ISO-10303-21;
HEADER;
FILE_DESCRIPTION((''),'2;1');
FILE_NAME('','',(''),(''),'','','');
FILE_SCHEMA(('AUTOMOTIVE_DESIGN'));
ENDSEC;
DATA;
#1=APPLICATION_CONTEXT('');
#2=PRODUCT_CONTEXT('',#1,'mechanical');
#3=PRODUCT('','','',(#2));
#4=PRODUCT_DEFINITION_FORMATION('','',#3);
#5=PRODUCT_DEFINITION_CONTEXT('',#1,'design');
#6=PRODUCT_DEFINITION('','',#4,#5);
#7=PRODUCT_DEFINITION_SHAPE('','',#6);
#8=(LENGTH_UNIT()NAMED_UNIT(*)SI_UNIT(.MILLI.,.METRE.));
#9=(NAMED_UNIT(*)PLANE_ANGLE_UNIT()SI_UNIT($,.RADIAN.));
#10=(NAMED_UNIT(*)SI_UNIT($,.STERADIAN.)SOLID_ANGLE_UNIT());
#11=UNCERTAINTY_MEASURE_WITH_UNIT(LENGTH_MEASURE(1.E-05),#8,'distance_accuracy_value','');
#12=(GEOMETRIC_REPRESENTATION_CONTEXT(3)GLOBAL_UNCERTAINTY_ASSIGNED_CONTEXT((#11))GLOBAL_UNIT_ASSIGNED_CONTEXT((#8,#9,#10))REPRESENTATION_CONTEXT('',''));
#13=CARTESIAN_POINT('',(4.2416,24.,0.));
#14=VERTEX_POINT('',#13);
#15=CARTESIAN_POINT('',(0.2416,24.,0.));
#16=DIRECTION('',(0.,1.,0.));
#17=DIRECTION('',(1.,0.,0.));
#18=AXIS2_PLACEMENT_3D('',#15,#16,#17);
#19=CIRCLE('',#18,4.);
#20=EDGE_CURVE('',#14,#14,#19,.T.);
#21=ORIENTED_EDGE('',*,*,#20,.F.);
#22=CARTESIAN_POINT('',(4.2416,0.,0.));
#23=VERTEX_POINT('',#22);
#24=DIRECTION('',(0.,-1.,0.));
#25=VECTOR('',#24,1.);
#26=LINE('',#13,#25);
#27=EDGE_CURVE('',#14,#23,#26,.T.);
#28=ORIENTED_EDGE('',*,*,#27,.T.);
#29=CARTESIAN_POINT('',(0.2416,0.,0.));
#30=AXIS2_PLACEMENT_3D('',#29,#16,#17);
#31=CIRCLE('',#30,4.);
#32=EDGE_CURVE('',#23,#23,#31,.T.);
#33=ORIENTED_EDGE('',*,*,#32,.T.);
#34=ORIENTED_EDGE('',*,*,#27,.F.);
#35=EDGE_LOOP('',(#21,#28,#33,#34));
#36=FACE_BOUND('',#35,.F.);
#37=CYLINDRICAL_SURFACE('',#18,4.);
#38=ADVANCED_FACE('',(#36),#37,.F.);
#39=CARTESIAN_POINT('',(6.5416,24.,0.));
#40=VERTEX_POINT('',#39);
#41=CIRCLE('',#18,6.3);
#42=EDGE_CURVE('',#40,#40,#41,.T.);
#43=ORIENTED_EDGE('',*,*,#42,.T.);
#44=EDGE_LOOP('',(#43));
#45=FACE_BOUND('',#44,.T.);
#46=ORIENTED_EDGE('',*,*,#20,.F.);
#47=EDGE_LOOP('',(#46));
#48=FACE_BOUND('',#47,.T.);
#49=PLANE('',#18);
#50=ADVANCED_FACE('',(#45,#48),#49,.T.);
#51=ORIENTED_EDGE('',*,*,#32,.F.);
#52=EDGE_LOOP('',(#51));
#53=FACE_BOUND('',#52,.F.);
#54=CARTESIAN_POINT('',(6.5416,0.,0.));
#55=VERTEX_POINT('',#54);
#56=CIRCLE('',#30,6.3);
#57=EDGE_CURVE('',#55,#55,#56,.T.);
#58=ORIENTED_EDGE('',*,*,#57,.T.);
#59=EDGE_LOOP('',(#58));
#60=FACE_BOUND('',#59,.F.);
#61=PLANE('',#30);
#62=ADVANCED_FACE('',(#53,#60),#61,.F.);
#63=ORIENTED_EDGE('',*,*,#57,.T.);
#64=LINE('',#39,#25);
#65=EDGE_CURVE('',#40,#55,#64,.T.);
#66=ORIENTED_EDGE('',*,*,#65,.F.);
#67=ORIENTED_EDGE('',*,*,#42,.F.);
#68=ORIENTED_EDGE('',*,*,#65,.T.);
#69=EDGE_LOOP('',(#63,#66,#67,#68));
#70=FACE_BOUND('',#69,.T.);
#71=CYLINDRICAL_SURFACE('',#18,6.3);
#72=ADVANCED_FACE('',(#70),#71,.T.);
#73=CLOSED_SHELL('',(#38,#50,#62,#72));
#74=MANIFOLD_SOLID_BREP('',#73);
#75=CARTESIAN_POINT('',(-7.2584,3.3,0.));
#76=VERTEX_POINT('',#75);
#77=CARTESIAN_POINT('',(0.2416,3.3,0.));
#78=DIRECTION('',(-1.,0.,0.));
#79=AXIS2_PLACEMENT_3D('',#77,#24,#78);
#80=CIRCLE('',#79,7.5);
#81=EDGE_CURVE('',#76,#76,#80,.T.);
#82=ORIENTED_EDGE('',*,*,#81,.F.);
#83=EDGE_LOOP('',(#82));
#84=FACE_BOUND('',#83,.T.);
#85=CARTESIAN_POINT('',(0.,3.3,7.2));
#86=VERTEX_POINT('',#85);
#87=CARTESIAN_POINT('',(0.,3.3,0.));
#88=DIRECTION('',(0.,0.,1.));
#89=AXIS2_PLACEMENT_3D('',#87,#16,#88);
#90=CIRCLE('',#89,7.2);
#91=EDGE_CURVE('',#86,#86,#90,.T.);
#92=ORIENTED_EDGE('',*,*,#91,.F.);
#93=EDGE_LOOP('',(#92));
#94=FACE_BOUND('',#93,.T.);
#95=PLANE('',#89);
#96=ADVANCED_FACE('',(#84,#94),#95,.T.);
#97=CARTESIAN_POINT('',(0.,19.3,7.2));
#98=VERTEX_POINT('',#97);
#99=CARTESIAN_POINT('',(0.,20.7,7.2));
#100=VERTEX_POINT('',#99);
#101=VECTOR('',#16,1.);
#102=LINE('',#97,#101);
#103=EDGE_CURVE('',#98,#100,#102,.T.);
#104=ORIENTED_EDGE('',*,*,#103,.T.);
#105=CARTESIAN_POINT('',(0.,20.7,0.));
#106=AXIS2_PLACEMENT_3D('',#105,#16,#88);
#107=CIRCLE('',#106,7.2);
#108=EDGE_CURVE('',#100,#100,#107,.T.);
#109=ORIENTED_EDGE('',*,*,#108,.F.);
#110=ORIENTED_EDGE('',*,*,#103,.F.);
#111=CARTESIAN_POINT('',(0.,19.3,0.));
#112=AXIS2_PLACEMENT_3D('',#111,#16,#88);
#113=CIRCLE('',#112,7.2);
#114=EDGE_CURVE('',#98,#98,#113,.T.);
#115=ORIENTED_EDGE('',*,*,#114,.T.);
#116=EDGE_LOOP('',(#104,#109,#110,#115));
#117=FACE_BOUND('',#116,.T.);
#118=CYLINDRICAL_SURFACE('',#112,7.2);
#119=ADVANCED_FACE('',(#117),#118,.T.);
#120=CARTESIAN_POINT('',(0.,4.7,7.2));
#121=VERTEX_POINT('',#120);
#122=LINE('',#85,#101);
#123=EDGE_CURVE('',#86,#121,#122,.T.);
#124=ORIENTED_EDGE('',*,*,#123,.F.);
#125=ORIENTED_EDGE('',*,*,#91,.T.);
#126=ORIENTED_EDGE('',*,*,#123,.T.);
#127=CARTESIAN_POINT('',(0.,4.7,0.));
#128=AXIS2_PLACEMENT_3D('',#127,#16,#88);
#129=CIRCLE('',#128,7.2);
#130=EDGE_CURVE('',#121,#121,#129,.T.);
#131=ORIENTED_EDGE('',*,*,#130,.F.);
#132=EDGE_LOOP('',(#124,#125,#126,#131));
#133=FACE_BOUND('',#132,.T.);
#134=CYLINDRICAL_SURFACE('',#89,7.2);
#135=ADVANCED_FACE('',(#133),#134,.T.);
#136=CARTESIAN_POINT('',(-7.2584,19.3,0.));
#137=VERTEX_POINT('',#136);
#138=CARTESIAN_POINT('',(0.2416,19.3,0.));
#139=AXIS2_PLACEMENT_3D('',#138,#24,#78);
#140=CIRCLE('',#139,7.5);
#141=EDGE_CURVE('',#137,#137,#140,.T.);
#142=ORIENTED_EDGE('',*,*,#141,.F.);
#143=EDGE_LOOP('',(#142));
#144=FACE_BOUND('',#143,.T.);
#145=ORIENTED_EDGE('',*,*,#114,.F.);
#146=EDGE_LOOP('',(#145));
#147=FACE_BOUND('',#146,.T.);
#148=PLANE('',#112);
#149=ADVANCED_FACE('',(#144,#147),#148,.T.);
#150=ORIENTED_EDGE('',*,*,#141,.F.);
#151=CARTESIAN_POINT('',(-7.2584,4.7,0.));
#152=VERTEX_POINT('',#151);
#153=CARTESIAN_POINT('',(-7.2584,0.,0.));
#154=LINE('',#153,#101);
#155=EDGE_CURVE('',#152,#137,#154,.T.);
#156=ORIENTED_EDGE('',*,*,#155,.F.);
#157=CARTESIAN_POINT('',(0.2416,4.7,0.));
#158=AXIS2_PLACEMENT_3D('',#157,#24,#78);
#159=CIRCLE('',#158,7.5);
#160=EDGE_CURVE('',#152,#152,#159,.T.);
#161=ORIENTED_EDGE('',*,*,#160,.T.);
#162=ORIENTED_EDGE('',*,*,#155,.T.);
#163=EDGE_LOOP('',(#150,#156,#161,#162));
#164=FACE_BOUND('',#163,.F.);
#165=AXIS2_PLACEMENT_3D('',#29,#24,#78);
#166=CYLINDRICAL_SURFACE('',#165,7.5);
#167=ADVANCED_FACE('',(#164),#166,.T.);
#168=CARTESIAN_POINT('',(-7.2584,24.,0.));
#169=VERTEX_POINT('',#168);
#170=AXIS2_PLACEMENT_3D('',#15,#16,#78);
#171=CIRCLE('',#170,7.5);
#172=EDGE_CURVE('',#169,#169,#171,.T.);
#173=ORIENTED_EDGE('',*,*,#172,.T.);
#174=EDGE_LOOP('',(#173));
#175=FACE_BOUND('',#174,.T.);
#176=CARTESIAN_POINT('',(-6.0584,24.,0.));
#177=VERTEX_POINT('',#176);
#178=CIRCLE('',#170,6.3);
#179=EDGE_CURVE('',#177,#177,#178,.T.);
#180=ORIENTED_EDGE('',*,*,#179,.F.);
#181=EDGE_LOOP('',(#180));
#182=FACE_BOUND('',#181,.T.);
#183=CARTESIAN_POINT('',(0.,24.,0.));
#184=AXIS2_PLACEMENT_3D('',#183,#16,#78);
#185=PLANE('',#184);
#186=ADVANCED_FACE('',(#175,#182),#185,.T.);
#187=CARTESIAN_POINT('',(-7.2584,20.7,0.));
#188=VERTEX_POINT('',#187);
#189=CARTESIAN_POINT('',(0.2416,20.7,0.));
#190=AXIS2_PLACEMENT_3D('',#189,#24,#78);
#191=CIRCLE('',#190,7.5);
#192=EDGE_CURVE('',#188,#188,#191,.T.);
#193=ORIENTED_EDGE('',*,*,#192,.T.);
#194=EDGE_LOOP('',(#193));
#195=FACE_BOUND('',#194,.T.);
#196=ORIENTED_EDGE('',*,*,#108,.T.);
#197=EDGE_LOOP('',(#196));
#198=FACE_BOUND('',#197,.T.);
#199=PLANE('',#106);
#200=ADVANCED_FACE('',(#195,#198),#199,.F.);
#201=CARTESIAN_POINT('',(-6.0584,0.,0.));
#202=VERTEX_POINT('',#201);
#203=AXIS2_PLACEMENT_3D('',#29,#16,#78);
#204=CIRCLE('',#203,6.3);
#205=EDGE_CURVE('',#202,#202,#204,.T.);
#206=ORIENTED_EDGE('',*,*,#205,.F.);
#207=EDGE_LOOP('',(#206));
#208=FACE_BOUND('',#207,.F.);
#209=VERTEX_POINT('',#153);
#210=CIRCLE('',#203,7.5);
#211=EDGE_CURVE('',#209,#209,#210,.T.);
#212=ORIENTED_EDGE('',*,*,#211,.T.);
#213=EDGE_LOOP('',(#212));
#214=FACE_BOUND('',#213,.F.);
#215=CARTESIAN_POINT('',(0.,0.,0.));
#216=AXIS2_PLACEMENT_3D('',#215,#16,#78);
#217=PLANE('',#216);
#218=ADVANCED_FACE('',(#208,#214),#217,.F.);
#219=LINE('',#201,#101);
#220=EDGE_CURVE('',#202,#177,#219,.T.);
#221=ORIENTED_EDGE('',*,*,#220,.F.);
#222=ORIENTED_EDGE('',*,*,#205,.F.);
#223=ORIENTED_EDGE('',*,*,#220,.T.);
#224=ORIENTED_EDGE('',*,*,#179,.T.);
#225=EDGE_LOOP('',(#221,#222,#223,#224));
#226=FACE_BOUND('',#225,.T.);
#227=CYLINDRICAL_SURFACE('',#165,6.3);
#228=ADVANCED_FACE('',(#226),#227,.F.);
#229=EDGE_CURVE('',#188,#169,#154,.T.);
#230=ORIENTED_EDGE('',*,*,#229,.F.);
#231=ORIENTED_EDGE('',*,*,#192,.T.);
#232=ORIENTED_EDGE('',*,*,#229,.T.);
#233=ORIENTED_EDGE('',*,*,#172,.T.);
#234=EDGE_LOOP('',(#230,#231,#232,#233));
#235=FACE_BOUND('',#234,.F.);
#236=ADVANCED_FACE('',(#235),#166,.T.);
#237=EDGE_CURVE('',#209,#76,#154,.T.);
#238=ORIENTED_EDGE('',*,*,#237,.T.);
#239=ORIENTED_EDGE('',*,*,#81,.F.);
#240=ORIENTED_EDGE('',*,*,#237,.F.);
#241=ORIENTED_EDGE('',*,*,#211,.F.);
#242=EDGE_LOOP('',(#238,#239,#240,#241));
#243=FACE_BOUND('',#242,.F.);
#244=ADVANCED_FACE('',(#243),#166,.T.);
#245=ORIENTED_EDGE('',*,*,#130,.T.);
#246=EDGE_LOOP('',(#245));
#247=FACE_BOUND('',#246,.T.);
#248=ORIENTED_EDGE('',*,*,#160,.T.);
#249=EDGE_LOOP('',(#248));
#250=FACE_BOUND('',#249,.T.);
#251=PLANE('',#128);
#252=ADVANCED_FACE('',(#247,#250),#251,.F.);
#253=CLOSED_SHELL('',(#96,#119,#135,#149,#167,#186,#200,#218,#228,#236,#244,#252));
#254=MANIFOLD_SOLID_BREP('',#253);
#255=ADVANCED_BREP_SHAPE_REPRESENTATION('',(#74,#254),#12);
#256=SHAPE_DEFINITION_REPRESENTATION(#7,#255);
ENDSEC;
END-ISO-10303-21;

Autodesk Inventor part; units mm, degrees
ref_plane "YZ Plane" through (0, 0, 0) normal (1, 0, 0) x (0, 1, 0)
ref_plane "XZ Plane" through (0, 0, 0) normal (0, 1, 0) x (-1, 0, 0)
ref_plane "XY Plane" through (0, 0, 0) normal (0, 0, 1) x (1, 0, 0)
sketch "Эскиз1" plane through (0, 0, 0) normal (0, 1, 0) x (-1, 0, 0)
  circle A0 centre (-0.2416, 0) radius 7.5
  circle A1 centre (-0.2416, 0) radius 6.3
  point P0 (0, 0)
  dimension "d0" = 15
  dimension "d2" = 12.6
extrude "Выдавливание1" add sketch "Эскиз1" along normal blind 24
sketch "Эскиз2" plane through (0.2416, 24, 0) normal (0, 1, 0) x (1, 0, 0)
  circle A0 centre (0, 0) radius 6.3 projected
  circle A1 centre (0, 0) radius 4
  circle A2 centre (0, 0) radius 6.3
  point P0 (-0.2416, 0)
  dimension "d7" = 8
  dimension "d8" = 12.6
extrude "Выдавливание2" add sketch "Эскиз2" against normal blind 24 separate body
sketch "Эскиз3" plane through (0, 0, 0) normal (1, 0, 0) x (0, 1, 0)
  line L0 (20.7, 9.5) -> (19.3, 9.5)
  line L1 (19.3, 9.5) -> (19.3, 7.2)
  line L2 (19.3, 7.2) -> (20.7, 7.2)
  line L3 (20.7, 7.2) -> (20.7, 9.5)
  line L4 (4.7, 9.5) -> (3.3, 9.5)
  line L5 (3.3, 9.5) -> (3.3, 7.2)
  line L6 (3.3, 7.2) -> (4.7, 7.2)
  line L7 (4.7, 7.2) -> (4.7, 9.5)
  line L8 (24, -7.5) -> (24, 7.5) projected
  line L9 (0, -7.5) -> (0, 7.5) projected
  line L10 (24, 7.5) -> (0, 7.5) construction
  line L11 (-4.8, 0) -> (28.8, 0) projected
  point P0 (0, 0)
  dimension "d11" = 1.4
  dimension "d12" = 1.4
  dimension "d13" = 3.3
  dimension "d14" = 3.3
  dimension "d15" = 0.3
  dimension "d16" = 2
revolve "Вращение1" cut sketch "Эскиз3" angle 360 about axis through (0, -10, 0) along (0, 1, 0) bodies 1
equation "\"d12\" = d11"
properties part number "Линейный подшипник"
